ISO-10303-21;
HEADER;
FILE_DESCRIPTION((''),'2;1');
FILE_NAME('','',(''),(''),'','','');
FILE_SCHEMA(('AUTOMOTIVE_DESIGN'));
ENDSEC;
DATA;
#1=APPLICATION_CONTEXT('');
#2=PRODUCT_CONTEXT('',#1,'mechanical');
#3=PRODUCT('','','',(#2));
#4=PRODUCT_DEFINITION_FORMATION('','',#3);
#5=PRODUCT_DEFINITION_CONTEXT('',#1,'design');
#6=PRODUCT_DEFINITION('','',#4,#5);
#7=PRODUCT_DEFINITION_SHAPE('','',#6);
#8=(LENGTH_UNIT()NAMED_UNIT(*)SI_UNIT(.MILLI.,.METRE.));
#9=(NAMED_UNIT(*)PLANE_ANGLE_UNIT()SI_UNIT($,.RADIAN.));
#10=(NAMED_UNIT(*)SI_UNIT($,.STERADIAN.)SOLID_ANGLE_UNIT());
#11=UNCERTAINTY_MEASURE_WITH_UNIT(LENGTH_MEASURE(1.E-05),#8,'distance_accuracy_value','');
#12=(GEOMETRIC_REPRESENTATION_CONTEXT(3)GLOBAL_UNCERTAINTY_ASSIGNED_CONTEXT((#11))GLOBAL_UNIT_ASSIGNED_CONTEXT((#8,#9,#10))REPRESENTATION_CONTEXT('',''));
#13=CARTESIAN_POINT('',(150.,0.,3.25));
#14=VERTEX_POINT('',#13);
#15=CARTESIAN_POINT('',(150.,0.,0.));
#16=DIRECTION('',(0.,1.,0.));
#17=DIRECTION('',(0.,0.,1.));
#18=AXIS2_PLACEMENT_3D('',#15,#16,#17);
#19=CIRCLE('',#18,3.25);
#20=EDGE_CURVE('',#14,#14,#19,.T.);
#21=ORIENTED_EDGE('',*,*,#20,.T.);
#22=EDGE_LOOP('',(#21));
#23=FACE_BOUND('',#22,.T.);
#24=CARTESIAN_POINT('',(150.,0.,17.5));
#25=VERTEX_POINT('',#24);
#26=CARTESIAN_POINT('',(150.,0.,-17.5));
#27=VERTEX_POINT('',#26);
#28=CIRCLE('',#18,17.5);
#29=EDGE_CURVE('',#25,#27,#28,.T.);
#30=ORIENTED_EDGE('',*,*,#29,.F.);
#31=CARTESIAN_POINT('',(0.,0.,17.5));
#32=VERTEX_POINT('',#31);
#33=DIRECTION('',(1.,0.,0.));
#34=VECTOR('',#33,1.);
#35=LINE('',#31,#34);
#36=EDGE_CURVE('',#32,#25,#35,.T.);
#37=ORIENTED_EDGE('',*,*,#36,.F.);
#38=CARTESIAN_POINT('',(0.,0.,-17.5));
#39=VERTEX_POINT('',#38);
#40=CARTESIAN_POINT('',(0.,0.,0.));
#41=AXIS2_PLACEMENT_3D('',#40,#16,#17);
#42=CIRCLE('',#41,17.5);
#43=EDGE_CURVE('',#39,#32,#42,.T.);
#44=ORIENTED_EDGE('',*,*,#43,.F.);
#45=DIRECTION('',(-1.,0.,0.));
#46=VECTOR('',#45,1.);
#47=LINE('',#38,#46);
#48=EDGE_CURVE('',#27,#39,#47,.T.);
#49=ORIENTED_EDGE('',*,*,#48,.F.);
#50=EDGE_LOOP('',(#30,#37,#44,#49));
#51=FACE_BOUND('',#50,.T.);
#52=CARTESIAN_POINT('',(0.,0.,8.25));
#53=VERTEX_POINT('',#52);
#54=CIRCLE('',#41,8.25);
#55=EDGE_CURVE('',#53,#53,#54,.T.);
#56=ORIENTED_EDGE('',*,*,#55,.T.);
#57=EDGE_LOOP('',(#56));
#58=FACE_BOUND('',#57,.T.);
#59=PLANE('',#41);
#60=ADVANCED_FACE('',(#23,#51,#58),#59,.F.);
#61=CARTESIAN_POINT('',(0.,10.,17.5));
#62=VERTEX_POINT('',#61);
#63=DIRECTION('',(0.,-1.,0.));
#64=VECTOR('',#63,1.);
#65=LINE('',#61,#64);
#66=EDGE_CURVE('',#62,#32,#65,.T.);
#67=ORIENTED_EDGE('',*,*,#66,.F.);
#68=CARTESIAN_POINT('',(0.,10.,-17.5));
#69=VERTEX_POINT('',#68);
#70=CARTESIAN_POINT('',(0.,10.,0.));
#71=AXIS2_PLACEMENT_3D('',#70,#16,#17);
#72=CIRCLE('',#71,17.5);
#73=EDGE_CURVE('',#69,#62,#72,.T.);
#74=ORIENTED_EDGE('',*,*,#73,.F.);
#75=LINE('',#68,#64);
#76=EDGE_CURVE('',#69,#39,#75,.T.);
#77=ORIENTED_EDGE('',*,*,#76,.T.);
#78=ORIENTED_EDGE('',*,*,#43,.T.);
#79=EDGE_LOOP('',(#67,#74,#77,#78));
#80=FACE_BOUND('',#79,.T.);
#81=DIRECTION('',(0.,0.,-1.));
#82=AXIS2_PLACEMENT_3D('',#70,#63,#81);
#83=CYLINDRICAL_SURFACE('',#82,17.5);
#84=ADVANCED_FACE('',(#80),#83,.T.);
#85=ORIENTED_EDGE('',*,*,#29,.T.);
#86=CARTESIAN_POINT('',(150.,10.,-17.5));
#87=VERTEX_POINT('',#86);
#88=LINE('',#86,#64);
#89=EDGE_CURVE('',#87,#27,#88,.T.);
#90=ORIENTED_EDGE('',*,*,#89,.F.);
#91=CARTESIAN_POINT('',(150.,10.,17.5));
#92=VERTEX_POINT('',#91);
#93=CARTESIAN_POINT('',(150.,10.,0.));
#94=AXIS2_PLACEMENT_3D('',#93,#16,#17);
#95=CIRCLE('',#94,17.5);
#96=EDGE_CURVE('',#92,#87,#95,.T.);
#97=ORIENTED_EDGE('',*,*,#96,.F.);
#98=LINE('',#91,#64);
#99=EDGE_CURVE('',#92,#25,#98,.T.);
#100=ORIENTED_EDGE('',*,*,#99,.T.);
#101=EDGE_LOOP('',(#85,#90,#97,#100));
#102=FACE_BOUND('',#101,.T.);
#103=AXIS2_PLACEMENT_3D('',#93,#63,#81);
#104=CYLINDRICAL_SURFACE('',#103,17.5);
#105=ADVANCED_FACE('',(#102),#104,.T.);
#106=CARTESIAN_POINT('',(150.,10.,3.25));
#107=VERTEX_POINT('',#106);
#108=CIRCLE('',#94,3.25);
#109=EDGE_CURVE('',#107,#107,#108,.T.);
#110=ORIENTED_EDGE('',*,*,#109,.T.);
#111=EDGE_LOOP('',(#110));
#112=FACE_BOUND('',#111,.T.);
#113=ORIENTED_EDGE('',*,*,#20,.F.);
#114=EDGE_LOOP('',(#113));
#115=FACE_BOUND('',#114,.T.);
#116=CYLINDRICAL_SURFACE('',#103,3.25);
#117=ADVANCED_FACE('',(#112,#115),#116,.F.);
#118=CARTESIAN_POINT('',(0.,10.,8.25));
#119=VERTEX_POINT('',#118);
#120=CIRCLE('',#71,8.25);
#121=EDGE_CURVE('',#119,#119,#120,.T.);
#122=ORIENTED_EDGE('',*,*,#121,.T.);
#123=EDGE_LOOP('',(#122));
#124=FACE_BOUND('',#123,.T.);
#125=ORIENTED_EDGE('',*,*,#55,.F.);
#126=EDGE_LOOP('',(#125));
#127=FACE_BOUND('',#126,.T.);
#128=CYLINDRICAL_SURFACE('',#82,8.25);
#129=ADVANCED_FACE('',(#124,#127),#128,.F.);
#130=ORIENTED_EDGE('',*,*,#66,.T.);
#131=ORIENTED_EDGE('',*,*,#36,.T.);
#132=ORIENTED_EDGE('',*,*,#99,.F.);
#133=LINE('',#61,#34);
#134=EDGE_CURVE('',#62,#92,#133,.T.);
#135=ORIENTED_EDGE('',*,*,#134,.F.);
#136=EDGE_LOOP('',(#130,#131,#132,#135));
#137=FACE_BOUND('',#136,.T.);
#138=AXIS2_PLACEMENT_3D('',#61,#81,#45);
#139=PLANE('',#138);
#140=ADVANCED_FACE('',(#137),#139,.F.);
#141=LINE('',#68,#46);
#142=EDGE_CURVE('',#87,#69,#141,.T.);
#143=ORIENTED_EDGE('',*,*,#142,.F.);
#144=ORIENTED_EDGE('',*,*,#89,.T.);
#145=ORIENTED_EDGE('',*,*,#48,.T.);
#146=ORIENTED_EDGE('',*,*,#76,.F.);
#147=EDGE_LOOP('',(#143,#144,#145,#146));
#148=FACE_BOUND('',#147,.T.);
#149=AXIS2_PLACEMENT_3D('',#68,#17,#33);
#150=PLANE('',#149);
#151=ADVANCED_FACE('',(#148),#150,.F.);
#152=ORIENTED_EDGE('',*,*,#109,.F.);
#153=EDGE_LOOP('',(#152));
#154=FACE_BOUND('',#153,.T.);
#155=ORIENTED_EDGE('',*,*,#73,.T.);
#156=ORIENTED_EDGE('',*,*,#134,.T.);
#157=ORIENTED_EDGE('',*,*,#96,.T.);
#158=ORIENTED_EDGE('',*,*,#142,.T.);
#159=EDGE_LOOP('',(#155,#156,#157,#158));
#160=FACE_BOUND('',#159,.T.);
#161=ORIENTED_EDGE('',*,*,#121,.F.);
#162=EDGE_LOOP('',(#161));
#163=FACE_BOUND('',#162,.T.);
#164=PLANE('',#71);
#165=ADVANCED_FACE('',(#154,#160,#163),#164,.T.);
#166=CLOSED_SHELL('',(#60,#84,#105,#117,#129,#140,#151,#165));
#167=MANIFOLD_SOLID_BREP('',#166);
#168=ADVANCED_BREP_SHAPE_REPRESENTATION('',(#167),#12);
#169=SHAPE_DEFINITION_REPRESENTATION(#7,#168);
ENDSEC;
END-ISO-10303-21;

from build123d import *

# Parameters (mm, degrees)
SKETCH1_R           = 8.25
SKETCH1_R_2         = 3.25
BOSS_EXTRUDE1_DEPTH = 10


with BuildPart() as part:
    # Sketch1 → Boss-Extrude1 (new body)
    with BuildSketch(Plane(origin=(0, 0, 0), x_dir=(1, 0, 0), z_dir=(0, 1, 0))):
        with BuildLine():
            Line((0, 17.5), (150, 17.5))
            ThreePointArc((150, 17.5), (167.5, 0), (150, -17.5))
            Line((150, -17.5), (0, -17.5))
            ThreePointArc((0, -17.5), (-17.5, 0), (0, 17.5))
        make_face()
        with Locations(Location((0, 0, 0), (0, 0, 270))):
            Circle(SKETCH1_R, mode=Mode.SUBTRACT)
        with Locations(Location((150, 0, 0), (0, 0, 270))):
            Circle(SKETCH1_R_2, mode=Mode.SUBTRACT)
    extrude(amount=BOSS_EXTRUDE1_DEPTH)


solid = part.part
